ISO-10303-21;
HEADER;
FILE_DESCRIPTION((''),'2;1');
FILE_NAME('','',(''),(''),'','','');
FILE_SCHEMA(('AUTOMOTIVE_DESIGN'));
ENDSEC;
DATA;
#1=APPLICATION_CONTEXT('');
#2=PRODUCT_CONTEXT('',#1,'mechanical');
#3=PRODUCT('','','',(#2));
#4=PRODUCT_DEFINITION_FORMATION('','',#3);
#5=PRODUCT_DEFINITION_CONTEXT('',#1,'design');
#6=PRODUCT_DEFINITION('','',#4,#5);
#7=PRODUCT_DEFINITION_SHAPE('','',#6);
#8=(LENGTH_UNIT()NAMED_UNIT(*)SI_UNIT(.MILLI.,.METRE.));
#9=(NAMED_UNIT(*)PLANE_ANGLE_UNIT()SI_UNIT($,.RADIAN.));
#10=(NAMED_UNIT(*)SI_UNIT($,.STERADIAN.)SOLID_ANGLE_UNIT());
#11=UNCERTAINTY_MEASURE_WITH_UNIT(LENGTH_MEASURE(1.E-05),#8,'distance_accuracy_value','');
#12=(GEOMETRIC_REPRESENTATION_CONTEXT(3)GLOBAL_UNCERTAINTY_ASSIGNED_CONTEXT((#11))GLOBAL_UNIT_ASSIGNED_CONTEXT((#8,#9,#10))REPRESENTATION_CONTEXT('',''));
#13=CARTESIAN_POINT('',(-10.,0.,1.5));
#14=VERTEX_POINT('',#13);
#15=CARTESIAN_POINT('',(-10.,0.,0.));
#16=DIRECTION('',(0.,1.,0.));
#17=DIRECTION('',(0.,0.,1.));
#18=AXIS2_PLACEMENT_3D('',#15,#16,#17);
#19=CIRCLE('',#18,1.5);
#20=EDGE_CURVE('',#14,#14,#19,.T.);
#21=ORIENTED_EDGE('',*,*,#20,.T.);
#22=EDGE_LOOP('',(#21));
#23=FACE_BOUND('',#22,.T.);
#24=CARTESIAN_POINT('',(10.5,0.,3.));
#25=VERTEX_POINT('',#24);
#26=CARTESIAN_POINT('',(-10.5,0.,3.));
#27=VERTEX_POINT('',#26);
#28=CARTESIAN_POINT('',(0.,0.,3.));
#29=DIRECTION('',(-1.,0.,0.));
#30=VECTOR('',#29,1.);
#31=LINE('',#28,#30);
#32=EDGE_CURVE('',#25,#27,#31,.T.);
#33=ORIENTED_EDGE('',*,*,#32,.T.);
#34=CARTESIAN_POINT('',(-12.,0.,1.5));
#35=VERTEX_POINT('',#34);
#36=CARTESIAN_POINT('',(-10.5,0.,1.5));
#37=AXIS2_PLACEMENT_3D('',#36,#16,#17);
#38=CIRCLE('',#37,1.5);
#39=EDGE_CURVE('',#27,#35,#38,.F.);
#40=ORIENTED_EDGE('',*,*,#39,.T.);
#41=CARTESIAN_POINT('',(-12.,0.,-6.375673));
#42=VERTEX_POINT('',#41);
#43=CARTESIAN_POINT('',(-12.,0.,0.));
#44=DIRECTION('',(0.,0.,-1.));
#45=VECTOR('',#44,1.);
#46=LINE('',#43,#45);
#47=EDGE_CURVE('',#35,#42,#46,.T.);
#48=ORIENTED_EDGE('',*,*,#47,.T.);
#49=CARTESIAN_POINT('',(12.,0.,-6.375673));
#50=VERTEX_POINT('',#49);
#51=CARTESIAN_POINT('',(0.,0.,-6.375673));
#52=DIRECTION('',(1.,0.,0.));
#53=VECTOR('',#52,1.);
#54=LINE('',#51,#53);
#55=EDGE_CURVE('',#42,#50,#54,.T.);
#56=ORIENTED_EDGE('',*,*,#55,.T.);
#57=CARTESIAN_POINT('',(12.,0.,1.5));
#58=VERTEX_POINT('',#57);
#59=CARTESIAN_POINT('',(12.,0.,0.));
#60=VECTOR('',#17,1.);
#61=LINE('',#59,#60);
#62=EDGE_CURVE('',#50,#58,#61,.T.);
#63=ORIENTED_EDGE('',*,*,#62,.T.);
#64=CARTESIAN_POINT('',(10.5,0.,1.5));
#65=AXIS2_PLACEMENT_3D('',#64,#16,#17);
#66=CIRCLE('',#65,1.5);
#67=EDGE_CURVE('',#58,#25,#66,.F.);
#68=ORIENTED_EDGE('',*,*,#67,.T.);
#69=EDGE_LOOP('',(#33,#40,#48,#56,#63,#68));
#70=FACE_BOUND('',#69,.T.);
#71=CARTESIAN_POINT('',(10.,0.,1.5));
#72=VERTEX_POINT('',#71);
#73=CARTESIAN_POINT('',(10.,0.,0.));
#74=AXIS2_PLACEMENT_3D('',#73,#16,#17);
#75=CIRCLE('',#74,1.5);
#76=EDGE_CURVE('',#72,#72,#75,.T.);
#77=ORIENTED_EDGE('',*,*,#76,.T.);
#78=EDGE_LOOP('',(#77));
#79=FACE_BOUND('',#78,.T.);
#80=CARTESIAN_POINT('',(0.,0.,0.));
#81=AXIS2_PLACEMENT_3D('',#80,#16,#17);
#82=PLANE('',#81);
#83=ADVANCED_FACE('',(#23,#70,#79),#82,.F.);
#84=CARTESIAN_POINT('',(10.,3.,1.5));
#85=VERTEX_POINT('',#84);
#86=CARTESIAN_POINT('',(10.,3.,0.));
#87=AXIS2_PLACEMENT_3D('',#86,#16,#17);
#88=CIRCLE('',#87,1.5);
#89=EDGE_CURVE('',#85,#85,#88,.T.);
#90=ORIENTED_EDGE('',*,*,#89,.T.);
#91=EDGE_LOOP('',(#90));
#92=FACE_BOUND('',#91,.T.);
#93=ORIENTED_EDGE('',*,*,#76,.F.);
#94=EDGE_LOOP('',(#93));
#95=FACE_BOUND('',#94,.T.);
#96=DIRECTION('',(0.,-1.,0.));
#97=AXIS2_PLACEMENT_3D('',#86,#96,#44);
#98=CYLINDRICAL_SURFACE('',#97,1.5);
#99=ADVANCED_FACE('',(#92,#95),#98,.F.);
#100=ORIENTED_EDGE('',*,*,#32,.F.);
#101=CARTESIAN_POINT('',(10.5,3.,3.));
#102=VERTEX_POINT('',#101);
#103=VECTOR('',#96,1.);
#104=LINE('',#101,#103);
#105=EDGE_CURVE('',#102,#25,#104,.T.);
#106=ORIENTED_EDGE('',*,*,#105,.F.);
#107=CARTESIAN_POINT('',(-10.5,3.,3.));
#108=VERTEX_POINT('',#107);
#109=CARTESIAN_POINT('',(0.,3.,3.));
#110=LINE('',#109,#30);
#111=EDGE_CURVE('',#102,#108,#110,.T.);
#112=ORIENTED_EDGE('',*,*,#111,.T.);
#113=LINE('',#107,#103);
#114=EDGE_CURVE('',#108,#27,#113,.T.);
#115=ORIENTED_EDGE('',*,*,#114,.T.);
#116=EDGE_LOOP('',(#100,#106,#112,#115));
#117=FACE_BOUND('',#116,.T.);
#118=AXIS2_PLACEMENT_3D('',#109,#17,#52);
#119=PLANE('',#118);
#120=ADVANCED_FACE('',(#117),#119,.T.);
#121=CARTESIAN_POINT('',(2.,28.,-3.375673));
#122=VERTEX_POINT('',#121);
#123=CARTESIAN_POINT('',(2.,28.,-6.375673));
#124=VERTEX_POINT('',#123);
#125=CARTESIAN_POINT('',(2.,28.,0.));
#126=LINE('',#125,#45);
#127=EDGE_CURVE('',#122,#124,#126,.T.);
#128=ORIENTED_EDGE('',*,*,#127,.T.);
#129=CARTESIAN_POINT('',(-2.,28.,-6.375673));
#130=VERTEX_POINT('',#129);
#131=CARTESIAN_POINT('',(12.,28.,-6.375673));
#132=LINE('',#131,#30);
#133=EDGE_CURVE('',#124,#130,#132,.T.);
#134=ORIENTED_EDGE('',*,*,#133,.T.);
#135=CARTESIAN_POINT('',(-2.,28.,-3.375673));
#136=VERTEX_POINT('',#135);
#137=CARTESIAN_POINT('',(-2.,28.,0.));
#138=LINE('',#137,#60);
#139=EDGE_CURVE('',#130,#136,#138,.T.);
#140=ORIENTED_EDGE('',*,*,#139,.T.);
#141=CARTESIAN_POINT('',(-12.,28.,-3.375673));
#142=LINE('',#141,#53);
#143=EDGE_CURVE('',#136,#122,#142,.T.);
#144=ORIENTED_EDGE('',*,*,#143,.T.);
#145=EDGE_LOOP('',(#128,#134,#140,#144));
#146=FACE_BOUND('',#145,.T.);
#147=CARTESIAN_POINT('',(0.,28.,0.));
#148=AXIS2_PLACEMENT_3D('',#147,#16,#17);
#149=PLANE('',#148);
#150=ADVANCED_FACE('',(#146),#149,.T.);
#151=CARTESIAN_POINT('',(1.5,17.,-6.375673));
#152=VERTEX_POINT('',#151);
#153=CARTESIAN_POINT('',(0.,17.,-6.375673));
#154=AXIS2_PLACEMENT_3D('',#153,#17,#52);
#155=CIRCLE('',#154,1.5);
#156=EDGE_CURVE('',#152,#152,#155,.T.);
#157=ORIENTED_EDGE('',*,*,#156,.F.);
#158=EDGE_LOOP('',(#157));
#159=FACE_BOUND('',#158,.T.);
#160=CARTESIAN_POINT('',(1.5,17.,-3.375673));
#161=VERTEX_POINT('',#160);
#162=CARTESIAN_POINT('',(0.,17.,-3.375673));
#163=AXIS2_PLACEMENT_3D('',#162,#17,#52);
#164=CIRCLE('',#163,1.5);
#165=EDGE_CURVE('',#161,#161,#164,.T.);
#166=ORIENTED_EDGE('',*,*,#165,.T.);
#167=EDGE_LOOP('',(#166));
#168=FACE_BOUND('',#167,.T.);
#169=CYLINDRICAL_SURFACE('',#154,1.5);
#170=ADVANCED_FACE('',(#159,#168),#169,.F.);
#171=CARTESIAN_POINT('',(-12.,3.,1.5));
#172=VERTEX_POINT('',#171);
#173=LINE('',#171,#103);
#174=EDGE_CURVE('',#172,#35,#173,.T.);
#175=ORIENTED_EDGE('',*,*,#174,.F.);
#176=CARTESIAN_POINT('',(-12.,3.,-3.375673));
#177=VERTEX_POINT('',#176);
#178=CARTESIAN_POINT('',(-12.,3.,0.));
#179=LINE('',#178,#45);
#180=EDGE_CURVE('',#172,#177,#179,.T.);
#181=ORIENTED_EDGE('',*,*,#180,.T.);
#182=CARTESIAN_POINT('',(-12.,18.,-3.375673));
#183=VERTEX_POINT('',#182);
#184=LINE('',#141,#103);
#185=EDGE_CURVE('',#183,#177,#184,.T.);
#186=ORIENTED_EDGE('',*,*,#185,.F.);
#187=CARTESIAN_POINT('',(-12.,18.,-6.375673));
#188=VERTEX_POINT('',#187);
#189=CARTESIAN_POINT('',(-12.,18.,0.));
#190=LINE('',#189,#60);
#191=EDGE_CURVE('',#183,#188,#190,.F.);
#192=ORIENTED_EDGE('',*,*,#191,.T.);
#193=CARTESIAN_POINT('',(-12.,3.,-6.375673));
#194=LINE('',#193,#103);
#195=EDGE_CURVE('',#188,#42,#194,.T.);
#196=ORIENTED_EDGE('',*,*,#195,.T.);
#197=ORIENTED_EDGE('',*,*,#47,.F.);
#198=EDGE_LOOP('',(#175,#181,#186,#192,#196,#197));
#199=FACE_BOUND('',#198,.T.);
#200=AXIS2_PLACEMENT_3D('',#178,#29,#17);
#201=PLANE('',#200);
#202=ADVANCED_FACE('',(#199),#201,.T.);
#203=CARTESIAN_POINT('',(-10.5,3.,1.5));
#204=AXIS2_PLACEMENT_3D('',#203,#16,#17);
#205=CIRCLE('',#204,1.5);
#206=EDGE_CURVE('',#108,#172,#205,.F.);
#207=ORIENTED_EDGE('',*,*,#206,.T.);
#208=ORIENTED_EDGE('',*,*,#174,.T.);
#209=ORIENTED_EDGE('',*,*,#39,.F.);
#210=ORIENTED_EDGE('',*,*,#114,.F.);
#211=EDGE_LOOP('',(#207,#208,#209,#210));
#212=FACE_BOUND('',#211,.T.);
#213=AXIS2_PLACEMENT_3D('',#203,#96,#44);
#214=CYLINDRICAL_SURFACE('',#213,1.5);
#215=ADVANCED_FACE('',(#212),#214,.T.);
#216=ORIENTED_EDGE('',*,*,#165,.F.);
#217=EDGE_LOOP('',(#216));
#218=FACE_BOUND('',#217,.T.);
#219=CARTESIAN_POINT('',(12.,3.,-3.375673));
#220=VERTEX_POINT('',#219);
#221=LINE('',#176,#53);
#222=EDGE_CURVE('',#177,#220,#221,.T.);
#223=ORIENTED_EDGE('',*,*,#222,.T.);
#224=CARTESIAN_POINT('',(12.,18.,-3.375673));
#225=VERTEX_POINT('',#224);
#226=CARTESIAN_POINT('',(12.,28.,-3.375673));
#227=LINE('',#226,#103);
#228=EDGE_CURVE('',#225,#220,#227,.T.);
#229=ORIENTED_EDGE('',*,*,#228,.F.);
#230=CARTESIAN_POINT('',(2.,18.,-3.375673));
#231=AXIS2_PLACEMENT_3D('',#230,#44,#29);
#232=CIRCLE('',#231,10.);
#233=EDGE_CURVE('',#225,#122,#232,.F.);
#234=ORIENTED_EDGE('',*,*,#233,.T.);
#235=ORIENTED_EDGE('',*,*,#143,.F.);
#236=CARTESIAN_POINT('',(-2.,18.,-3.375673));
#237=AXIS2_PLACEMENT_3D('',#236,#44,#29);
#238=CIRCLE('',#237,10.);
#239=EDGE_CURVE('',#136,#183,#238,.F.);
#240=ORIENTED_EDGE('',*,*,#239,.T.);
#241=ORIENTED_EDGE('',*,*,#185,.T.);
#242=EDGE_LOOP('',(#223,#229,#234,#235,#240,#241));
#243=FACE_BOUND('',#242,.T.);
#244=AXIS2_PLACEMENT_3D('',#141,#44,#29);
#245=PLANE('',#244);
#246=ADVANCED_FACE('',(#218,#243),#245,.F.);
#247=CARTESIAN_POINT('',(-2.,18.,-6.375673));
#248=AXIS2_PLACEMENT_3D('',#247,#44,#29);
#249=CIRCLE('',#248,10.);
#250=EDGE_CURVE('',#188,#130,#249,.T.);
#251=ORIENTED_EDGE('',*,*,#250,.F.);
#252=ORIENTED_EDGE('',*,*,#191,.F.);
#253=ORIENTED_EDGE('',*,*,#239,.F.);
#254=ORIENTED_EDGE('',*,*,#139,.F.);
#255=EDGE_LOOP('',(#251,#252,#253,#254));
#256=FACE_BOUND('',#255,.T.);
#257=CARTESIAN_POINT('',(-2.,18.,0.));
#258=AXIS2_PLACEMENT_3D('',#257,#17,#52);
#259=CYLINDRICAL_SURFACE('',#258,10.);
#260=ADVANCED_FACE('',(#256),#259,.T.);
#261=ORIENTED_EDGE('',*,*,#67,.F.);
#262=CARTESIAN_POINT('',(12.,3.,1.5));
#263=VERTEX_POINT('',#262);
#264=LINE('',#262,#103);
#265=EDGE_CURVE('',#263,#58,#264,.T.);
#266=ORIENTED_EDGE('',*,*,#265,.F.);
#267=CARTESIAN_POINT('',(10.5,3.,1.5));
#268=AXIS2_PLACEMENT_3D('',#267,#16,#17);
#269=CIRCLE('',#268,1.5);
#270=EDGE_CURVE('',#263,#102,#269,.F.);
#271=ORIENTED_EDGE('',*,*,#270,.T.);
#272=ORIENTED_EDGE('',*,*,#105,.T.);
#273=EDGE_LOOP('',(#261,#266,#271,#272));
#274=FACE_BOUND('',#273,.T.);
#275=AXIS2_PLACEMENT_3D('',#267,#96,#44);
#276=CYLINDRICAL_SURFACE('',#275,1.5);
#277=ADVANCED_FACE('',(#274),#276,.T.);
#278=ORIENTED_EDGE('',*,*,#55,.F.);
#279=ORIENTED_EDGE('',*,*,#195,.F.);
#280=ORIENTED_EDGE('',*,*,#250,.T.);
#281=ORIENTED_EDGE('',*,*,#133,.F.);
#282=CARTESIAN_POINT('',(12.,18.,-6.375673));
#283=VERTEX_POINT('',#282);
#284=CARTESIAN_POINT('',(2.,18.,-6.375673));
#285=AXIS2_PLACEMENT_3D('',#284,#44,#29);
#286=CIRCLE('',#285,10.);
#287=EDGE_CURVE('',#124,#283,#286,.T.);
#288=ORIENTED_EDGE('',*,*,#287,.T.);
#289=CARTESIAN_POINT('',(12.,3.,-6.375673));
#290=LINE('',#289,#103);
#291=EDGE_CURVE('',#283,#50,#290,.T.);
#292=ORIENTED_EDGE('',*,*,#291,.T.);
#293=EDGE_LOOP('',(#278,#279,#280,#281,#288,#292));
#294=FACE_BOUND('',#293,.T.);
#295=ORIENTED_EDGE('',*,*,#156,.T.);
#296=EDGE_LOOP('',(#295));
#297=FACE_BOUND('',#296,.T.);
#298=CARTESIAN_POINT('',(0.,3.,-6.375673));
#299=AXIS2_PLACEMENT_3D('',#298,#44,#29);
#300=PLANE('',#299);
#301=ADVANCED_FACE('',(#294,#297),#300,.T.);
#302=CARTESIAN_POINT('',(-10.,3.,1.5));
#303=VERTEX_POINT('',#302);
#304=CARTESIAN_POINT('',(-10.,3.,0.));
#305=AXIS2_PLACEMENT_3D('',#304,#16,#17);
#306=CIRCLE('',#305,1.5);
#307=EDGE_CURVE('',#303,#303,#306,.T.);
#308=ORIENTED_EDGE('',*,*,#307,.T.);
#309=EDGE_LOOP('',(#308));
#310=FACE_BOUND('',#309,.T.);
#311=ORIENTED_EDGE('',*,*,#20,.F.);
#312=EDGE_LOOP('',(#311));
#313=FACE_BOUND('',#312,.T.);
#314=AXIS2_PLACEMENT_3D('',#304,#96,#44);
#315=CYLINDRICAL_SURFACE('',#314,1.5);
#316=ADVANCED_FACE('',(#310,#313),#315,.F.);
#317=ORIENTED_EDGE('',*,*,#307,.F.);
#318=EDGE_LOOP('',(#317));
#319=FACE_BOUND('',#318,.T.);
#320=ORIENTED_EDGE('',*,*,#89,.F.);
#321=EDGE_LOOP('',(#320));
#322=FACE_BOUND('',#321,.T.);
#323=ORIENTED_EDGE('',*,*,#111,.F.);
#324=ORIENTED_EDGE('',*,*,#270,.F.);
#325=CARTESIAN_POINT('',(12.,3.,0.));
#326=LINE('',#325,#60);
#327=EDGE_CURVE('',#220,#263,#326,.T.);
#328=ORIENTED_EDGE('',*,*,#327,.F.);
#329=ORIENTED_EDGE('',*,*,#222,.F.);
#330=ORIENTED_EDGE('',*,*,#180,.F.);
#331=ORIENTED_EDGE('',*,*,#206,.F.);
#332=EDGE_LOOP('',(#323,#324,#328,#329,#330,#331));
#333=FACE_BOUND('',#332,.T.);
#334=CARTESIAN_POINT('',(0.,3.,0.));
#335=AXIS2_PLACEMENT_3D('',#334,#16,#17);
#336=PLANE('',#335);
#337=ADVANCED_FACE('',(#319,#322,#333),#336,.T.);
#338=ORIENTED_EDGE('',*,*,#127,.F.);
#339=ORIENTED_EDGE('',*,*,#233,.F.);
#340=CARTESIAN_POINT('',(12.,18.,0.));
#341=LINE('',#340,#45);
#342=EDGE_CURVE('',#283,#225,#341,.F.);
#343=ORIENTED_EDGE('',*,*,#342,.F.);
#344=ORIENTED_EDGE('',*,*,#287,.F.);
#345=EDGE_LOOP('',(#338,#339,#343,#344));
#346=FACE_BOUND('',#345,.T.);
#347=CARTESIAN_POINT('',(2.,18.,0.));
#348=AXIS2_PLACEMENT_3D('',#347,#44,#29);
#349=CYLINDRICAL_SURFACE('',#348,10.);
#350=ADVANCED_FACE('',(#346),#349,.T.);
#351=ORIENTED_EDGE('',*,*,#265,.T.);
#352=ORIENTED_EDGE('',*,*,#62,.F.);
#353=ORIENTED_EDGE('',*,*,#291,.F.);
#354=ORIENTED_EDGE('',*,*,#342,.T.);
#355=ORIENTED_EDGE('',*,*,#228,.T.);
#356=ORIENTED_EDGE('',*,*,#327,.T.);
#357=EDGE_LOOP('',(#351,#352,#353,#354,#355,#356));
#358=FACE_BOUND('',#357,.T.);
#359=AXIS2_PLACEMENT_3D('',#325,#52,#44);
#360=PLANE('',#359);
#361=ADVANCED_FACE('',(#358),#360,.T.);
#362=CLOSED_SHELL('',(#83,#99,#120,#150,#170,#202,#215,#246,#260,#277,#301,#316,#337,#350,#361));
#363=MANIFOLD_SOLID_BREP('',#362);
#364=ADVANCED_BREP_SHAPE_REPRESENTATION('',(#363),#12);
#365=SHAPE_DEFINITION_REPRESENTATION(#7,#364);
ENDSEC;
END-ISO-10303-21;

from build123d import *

# Parameters (mm, degrees)
SKETCH1_W           = 24
SKETCH1_H           = 3.375672593
SKETCH1_R           = 1.5
BOSS_EXTRUDE1_DEPTH = 3
SKETCH2_W           = 24
SKETCH2_H           = 3
BOSS_EXTRUDE2_DEPTH = 25
FILLET1_R           = 10
SKETCH3_R           = 1.5
CUT_EXTRUDE1_DEPTH  = 32.123129679


with BuildPart() as part:
    # Sketch1 → Boss-Extrude1 (new body)
    # profile 1 of 2: a face of its own
    with BuildSketch(Plane(origin=(0, 0, 0), x_dir=(1, 0, 0), z_dir=(0, 1, 0))):
        with Locations((0, 4.687836297)):
            Rectangle(SKETCH1_W, SKETCH1_H)
    # profile 2 of 2: a face of its own
    with BuildSketch(Plane(origin=(0, 0, 0), x_dir=(1, 0, 0), z_dir=(0, 1, 0))):
        with BuildLine():
            ThreePointArc((-10.5, -3), (-11.560660172, -2.560660172), (-12, -1.5))
            Line((-12, -1.5), (-12, 3))
            Line((-12, 3), (12, 3))
            Line((12, 3), (12, -1.5))
            ThreePointArc((12, -1.5), (11.560660172, -2.560660172), (10.5, -3))
            Line((10.5, -3), (-10.5, -3))
        make_face()
        with Locations(Location((10, 0, 0), (0, 0, 270))):
            Circle(SKETCH1_R, mode=Mode.SUBTRACT)
        with Locations(Location((-10, 0, 0), (0, 0, 270))):
            Circle(SKETCH1_R, mode=Mode.SUBTRACT)
    extrude(amount=BOSS_EXTRUDE1_DEPTH)

    # Sketch2 → Boss-Extrude2 (add)
    with BuildSketch(Plane(origin=(0, 3, 0), x_dir=(1, 0, 0), z_dir=(0, 1, 0))):
        with Locations((0, 4.875672593)):
            Rectangle(SKETCH2_W, SKETCH2_H)
    extrude(amount=BOSS_EXTRUDE2_DEPTH)

    # Fillet1
    fillet1_edges = [part.edges().sort_by_distance(p)[0] for p in [
        (12, 28, -4.875672593),
        (-12, 28, -4.875672593),
    ]]
    fillet(fillet1_edges, radius=FILLET1_R)

    # Sketch3 → Cut-Extrude1 (cut, through all)
    with BuildSketch(Plane.XY.offset(-3.375672593)):
        with Locations((0, 17)):
            Circle(SKETCH3_R)
    extrude(amount=-CUT_EXTRUDE1_DEPTH, mode=Mode.SUBTRACT)


solid = part.part
